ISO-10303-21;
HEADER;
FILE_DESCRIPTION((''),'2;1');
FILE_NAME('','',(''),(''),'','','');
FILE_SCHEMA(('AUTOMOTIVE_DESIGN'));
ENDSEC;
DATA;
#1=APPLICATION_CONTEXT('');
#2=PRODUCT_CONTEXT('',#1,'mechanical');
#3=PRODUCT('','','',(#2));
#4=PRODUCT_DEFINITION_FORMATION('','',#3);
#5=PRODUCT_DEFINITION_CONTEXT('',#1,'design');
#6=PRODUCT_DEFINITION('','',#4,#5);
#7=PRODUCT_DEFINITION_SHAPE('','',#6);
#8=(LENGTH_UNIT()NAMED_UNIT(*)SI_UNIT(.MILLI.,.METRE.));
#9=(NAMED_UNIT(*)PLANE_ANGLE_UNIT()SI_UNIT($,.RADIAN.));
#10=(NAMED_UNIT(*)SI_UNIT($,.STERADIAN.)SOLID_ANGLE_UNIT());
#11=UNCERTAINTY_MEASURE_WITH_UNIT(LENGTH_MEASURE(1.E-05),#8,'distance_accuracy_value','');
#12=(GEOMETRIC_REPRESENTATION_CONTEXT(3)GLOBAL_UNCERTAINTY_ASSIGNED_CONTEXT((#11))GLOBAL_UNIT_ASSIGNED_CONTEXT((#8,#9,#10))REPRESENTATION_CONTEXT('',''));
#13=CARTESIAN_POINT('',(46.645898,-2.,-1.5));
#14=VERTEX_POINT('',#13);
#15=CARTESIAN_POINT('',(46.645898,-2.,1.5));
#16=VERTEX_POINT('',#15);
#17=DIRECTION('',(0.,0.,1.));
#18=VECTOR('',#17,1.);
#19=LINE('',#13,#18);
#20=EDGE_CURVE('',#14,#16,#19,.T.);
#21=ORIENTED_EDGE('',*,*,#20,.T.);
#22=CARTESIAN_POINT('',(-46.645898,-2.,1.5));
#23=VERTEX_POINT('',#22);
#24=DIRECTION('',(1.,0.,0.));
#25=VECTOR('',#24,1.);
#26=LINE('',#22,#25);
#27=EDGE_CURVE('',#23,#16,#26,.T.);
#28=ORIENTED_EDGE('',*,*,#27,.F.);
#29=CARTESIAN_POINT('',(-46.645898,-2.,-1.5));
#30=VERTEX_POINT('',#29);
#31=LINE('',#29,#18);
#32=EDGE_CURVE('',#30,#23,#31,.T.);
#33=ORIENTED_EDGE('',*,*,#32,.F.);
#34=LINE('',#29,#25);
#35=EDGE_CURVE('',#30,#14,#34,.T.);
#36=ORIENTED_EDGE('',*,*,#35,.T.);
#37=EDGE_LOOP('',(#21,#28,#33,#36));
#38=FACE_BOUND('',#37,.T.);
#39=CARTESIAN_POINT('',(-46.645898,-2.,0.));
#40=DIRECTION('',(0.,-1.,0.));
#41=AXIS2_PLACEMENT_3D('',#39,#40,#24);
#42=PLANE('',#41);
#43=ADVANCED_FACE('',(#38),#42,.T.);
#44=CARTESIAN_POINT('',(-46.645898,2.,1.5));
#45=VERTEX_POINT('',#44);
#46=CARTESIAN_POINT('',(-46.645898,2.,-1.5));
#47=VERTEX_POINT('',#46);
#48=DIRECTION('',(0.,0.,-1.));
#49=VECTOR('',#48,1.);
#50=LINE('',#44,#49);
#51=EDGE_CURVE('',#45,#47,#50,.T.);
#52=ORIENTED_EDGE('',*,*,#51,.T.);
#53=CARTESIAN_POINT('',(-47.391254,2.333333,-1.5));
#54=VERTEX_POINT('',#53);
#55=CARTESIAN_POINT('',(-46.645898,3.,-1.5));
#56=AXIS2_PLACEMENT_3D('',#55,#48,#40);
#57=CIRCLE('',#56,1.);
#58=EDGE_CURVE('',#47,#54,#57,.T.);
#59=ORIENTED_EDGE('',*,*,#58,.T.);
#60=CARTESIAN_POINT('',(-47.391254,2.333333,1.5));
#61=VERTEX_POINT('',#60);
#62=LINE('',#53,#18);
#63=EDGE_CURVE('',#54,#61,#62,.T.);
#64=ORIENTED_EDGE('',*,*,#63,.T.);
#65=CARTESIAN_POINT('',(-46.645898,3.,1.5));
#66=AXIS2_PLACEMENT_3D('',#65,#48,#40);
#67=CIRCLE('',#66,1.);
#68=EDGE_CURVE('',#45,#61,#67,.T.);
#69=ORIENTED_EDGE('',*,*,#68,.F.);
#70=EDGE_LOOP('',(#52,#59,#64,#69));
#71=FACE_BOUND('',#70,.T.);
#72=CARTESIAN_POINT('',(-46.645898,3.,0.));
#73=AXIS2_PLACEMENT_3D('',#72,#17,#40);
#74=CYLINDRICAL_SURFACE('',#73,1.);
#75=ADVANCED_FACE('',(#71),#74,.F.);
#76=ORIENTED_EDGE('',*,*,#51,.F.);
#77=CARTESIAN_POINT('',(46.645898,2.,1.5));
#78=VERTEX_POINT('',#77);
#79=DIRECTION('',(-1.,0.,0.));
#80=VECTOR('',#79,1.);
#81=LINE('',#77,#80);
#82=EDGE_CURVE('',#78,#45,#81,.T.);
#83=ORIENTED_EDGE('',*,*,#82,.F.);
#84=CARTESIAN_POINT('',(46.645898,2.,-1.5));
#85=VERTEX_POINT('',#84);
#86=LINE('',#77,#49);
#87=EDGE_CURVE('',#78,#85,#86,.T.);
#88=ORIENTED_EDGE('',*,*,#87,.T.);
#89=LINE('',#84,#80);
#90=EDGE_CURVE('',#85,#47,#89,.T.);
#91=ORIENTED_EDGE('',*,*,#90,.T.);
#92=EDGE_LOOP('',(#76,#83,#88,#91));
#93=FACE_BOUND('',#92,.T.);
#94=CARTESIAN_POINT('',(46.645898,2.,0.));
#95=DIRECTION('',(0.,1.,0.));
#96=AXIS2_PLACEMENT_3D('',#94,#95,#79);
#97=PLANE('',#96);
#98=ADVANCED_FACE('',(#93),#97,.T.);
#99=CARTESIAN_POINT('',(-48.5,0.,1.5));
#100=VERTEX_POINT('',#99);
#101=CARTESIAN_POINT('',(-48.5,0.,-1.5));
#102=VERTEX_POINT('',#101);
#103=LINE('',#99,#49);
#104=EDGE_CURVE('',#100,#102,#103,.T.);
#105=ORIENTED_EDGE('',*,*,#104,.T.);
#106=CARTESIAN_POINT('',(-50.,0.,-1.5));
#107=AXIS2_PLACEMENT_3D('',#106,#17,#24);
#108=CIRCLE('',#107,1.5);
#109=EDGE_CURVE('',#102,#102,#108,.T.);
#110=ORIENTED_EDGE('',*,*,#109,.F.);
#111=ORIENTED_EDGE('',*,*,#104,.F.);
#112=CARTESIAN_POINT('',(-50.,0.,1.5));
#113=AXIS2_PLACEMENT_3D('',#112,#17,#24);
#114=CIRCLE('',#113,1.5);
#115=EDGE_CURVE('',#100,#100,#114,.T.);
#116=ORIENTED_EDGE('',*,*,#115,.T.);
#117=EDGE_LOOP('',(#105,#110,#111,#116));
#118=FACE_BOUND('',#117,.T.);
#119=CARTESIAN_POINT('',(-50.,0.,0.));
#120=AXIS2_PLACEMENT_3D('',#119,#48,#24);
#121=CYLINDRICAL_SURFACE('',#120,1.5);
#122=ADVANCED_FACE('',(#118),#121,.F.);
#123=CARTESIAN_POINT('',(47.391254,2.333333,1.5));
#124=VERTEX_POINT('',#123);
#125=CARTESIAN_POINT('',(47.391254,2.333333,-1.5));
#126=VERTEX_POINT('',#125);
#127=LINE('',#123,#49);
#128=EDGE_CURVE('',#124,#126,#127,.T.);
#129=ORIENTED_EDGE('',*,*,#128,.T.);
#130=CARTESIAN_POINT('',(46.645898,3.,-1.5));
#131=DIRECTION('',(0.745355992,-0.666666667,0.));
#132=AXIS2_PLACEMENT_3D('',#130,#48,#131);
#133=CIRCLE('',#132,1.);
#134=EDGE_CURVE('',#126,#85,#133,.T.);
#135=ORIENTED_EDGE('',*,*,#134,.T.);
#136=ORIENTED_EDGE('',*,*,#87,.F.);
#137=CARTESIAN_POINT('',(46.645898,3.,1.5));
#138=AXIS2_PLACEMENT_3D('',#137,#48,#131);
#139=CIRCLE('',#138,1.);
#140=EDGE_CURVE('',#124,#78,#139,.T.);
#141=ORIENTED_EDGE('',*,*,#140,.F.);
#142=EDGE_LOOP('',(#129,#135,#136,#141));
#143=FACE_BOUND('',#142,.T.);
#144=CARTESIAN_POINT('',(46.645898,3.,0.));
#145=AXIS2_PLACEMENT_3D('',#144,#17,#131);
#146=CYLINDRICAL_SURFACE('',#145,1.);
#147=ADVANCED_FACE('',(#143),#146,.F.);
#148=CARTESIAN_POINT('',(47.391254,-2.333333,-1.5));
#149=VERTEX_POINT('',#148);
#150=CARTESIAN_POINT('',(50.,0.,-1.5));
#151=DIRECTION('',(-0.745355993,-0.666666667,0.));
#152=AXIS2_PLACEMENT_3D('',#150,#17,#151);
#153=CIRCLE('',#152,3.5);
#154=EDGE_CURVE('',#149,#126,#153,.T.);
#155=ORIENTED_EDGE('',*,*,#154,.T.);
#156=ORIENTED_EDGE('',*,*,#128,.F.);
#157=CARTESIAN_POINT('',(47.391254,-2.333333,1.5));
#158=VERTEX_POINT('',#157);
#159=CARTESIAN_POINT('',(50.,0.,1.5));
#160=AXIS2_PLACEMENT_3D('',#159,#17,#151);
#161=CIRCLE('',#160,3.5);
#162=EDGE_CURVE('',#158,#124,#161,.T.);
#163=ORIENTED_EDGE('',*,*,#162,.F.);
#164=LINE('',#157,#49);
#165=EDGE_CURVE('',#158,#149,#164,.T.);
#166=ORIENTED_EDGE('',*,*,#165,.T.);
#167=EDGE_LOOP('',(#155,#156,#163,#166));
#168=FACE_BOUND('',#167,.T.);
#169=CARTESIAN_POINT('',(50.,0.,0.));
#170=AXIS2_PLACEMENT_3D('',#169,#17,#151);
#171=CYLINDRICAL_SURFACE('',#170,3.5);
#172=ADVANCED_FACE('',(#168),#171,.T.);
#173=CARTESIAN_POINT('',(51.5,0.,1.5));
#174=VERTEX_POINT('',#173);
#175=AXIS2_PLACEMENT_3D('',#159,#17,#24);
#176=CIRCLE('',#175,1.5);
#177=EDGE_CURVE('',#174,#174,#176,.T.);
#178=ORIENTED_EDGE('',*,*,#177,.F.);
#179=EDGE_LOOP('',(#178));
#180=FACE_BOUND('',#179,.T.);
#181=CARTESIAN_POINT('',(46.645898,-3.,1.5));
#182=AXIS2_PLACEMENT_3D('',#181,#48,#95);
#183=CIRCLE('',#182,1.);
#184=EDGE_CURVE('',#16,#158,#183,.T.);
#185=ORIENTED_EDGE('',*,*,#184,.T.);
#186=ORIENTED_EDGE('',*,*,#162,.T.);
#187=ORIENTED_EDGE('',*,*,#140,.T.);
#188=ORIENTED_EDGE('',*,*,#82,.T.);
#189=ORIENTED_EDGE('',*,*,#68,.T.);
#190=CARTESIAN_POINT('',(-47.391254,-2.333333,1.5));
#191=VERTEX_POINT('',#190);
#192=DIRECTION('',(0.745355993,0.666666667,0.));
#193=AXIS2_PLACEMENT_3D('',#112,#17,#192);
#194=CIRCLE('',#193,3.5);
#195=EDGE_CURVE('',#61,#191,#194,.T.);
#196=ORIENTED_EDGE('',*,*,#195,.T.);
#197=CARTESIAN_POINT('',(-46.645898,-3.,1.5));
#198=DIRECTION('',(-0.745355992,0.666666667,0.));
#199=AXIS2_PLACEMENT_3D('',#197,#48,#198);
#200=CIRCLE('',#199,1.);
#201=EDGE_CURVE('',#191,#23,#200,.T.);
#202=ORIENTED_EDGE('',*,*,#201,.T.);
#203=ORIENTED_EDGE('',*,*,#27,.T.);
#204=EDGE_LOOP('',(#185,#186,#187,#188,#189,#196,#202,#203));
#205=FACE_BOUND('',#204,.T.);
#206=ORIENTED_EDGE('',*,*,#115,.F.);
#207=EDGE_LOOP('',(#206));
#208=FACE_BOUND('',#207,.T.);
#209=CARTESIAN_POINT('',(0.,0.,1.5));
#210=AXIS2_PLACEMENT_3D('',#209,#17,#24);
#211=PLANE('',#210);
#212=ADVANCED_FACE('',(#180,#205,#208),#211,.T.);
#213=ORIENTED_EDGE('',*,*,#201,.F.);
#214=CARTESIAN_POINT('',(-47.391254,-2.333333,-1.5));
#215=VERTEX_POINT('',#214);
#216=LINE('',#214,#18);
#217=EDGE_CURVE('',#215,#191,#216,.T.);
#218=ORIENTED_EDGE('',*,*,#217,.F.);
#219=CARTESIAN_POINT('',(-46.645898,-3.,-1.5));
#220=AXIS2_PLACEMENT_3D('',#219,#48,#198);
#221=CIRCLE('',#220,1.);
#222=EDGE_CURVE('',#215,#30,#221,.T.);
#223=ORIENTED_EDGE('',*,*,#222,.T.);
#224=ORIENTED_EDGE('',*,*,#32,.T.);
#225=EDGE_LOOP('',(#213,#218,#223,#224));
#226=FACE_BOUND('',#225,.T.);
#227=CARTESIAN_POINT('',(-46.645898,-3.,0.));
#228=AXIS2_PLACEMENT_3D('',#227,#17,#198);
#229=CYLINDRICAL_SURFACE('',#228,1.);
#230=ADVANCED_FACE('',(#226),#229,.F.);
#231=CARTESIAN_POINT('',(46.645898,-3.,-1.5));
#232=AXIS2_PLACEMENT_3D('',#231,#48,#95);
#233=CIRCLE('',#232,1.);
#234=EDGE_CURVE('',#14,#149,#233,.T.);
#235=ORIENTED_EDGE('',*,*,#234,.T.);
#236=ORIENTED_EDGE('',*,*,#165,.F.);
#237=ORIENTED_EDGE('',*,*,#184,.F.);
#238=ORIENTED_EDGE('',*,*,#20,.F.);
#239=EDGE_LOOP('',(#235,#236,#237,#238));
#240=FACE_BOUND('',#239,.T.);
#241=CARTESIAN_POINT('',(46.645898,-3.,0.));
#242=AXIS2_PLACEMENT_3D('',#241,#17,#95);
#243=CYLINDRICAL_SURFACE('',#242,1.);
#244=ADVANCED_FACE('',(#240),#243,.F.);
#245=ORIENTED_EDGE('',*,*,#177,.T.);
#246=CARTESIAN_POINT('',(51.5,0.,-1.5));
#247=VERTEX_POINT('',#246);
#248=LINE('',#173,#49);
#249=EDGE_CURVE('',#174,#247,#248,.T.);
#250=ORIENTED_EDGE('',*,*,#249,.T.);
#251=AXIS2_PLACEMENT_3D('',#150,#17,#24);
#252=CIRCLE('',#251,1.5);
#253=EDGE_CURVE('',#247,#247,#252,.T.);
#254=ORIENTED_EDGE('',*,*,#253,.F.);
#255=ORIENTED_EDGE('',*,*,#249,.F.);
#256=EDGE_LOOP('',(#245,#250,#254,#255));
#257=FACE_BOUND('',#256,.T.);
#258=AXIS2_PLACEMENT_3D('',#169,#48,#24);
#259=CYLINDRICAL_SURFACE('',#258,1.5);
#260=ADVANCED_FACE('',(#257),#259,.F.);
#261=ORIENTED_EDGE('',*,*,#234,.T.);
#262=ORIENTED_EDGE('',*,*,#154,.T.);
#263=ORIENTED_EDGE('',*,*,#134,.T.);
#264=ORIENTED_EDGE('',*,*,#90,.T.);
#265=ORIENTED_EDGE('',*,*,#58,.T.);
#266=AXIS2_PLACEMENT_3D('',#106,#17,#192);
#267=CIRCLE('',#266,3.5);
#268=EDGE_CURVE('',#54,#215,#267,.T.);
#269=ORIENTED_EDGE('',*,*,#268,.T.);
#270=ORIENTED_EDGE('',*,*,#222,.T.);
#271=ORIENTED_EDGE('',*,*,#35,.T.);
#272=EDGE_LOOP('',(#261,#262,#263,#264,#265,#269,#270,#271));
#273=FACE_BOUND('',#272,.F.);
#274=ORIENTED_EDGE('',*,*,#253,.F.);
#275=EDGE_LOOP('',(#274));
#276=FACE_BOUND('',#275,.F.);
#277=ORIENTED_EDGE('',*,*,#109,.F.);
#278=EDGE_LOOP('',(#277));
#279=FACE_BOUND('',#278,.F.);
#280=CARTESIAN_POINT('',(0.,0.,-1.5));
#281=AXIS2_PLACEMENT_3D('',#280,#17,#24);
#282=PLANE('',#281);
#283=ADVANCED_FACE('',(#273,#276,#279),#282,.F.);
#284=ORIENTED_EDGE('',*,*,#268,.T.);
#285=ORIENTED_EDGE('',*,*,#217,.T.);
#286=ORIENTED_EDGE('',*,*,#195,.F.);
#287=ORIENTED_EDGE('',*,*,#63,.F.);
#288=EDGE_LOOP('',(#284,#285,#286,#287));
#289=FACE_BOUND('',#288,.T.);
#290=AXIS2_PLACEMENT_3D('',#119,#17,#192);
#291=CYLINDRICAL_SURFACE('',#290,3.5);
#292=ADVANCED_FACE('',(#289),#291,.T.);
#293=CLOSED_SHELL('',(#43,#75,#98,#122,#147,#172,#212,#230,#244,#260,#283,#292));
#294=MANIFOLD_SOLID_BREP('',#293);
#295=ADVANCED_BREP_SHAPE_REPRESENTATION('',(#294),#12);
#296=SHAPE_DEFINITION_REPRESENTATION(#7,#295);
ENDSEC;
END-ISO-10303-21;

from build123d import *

# Parameters (mm, degrees)
F0_R     = 1.5
F1_DEPTH = 1.5


with BuildPart() as f1:
    # F0 (on Top) → F1 (new body, symmetric)
    with BuildSketch(Plane.XY):
        with BuildLine():
            ThreePointArc((-46.6458980338, 2), (-47.0541463242, 2.0871290708), (-47.3912540263, 2.3333333333))
            ThreePointArc((-47.3912540263, 2.3333333333), (-53.5, 0), (-47.3912540263, -2.3333333333))
            ThreePointArc((-47.3912540263, -2.3333333333), (-47.0541463242, -2.0871290708), (-46.6458980338, -2))
            Line((-46.6458980338, -2), (0, -2))
            Line((0, -2), (46.6458980338, -2))
            ThreePointArc((46.6458980338, -2), (47.0541463242, -2.0871290708), (47.3912540263, -2.3333333333))
            ThreePointArc((47.3912540263, -2.3333333333), (53.5, 0), (47.3912540263, 2.3333333333))
            ThreePointArc((47.3912540263, 2.3333333333), (47.0541463242, 2.0871290708), (46.6458980338, 2))
            Line((46.6458980338, 2), (0, 2))
            Line((0, 2), (-46.6458980338, 2))
        make_face()
        with Locations((-50, 0)):
            Circle(F0_R, mode=Mode.SUBTRACT)
        with Locations((50, 0)):
            Circle(F0_R, mode=Mode.SUBTRACT)
    extrude(amount=F1_DEPTH, both=True)


solid = f1.part
